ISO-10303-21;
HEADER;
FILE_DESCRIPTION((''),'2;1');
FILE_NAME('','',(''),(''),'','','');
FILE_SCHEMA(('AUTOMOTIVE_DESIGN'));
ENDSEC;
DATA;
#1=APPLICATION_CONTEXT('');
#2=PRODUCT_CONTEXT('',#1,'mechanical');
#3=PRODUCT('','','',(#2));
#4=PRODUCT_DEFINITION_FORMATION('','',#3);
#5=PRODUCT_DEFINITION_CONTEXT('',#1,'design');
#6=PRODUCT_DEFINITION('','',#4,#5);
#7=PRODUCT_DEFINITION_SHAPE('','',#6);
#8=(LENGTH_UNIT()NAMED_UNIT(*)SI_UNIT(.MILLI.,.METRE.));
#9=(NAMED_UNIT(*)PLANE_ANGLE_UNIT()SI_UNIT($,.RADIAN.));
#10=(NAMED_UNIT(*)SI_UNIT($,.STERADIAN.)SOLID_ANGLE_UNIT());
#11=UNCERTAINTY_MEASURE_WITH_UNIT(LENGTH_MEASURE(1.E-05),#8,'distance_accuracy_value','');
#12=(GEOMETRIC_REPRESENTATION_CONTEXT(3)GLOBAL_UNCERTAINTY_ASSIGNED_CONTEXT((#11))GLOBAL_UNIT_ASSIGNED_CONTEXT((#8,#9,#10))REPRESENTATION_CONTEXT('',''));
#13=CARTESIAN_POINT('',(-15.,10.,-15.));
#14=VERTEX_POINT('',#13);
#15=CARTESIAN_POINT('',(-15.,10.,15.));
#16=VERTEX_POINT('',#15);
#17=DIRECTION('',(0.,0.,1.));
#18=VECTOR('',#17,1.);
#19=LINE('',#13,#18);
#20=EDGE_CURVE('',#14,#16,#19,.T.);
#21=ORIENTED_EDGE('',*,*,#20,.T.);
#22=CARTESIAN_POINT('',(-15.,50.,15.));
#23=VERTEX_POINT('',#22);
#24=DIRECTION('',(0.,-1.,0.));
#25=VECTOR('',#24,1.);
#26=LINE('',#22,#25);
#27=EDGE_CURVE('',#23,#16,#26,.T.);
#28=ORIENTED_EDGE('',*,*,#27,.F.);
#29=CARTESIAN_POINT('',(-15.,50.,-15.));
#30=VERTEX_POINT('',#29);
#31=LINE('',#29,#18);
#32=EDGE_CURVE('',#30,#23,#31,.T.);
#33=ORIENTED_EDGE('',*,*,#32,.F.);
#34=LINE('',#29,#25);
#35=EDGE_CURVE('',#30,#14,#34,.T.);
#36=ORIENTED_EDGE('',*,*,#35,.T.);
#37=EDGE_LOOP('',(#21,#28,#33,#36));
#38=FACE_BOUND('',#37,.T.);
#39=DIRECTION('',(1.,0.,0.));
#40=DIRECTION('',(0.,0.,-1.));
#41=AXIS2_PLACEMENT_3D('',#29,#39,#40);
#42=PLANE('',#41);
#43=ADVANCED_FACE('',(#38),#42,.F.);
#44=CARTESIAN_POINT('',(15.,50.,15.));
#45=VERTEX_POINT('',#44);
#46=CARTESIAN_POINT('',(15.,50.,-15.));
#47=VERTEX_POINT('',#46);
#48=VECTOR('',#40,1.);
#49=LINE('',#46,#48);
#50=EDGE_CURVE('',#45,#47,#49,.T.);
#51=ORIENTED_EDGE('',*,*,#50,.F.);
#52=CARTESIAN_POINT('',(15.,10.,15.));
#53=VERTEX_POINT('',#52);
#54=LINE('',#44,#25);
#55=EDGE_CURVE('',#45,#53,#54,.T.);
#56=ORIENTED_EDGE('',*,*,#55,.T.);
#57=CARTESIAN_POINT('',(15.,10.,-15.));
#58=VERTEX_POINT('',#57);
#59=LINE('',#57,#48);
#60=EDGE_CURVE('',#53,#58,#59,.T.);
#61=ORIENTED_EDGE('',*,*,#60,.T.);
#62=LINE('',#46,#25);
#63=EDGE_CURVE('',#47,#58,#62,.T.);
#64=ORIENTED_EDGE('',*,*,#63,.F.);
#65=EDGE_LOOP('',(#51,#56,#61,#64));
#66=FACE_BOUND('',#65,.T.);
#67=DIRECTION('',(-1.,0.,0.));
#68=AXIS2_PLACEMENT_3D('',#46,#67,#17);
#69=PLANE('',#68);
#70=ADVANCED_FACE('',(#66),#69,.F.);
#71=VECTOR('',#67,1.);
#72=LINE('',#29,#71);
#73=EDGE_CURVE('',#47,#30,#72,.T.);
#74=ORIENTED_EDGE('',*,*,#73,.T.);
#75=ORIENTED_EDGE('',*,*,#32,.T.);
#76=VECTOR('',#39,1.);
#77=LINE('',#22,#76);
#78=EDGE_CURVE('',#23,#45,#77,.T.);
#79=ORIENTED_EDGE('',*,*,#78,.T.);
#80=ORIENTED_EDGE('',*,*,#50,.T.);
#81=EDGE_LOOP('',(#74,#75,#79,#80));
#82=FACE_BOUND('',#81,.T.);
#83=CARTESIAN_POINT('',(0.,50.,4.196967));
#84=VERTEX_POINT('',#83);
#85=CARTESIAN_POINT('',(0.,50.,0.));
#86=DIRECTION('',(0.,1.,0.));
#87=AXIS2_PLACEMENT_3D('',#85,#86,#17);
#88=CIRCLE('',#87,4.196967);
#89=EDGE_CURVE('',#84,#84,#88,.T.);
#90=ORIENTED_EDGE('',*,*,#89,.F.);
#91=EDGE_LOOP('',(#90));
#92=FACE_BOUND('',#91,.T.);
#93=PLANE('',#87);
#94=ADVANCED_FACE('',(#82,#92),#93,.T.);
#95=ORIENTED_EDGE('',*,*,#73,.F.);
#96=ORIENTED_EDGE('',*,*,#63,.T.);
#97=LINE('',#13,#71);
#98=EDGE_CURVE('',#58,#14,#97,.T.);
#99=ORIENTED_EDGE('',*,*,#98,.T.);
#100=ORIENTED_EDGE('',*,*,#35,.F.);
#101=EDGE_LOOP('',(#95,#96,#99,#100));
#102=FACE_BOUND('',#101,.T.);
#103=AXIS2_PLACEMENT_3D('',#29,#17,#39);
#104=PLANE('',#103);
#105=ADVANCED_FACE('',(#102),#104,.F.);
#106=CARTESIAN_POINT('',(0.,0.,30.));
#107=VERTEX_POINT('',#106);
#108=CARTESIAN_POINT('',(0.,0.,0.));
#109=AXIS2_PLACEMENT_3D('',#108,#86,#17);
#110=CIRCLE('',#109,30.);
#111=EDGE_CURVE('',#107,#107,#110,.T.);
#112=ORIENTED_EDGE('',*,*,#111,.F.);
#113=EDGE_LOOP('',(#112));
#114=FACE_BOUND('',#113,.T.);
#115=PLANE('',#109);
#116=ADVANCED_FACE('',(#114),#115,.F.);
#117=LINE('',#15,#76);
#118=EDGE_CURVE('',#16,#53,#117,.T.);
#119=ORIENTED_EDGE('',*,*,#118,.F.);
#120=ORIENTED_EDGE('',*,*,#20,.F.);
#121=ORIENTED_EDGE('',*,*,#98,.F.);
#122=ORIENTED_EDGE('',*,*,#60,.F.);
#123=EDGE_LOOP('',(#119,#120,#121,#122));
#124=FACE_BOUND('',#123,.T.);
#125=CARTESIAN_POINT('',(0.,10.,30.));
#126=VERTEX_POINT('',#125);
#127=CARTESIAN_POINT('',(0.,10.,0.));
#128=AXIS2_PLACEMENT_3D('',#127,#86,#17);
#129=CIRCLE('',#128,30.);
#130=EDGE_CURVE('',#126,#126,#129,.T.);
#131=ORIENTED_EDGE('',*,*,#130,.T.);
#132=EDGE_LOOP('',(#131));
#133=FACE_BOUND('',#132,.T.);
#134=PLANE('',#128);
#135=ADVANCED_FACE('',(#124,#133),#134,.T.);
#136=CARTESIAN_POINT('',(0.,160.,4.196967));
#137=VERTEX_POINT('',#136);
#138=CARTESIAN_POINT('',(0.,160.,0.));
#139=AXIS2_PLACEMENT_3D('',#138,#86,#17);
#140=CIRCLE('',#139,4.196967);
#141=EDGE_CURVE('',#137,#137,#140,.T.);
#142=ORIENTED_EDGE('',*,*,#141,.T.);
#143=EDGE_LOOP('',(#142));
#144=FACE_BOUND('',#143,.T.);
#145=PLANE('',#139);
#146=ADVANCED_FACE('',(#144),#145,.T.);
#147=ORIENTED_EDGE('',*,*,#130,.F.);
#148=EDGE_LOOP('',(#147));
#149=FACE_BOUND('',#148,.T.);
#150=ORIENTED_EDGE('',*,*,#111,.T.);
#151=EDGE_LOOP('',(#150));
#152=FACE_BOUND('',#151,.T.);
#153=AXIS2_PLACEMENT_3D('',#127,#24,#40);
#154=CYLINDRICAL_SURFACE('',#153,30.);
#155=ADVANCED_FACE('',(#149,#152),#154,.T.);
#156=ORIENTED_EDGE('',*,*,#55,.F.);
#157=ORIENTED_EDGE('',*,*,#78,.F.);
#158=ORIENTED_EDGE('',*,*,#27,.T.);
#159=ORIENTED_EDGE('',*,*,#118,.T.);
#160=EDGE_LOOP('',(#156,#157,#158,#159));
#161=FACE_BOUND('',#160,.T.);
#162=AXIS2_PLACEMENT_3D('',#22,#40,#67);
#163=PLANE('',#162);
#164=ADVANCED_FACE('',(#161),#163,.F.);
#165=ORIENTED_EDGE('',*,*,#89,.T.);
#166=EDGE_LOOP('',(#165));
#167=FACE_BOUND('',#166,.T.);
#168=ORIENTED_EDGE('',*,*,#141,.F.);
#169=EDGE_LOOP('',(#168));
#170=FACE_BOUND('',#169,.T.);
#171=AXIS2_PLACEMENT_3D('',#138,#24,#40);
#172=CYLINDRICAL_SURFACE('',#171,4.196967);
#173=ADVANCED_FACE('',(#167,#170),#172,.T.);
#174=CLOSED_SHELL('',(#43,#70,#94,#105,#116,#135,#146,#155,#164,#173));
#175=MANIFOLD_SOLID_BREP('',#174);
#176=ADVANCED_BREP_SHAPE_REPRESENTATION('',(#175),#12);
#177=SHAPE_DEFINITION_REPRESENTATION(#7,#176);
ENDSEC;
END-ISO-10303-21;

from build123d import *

# Parameters (mm, degrees)
SKETCH1_R           = 30
BOSS_EXTRUDE1_DEPTH = 10
SKETCH2_W           = 30
SKETCH2_H           = 30
BOSS_EXTRUDE2_DEPTH = 40
SKETCH3_R           = 4.196967066
BOSS_EXTRUDE3_DEPTH = 110


with BuildPart() as part:
    # Sketch1 → Boss-Extrude1 (new body)
    with BuildSketch(Plane(origin=(0, 0, 0), x_dir=(1, 0, 0), z_dir=(0, 1, 0))):
        Circle(SKETCH1_R)
    extrude(amount=BOSS_EXTRUDE1_DEPTH)

    # Sketch2 → Boss-Extrude2 (add)
    with BuildSketch(Plane(origin=(0, 10, 0), x_dir=(1, 0, 0), z_dir=(0, 1, 0))):
        Rectangle(SKETCH2_W, SKETCH2_H)
    extrude(amount=BOSS_EXTRUDE2_DEPTH)

    # Sketch3 → Boss-Extrude3 (add)
    with BuildSketch(Plane(origin=(0, 50, 0), x_dir=(1, 0, 0), z_dir=(0, 1, 0))):
        Circle(SKETCH3_R)
    extrude(amount=BOSS_EXTRUDE3_DEPTH)


solid = part.part
